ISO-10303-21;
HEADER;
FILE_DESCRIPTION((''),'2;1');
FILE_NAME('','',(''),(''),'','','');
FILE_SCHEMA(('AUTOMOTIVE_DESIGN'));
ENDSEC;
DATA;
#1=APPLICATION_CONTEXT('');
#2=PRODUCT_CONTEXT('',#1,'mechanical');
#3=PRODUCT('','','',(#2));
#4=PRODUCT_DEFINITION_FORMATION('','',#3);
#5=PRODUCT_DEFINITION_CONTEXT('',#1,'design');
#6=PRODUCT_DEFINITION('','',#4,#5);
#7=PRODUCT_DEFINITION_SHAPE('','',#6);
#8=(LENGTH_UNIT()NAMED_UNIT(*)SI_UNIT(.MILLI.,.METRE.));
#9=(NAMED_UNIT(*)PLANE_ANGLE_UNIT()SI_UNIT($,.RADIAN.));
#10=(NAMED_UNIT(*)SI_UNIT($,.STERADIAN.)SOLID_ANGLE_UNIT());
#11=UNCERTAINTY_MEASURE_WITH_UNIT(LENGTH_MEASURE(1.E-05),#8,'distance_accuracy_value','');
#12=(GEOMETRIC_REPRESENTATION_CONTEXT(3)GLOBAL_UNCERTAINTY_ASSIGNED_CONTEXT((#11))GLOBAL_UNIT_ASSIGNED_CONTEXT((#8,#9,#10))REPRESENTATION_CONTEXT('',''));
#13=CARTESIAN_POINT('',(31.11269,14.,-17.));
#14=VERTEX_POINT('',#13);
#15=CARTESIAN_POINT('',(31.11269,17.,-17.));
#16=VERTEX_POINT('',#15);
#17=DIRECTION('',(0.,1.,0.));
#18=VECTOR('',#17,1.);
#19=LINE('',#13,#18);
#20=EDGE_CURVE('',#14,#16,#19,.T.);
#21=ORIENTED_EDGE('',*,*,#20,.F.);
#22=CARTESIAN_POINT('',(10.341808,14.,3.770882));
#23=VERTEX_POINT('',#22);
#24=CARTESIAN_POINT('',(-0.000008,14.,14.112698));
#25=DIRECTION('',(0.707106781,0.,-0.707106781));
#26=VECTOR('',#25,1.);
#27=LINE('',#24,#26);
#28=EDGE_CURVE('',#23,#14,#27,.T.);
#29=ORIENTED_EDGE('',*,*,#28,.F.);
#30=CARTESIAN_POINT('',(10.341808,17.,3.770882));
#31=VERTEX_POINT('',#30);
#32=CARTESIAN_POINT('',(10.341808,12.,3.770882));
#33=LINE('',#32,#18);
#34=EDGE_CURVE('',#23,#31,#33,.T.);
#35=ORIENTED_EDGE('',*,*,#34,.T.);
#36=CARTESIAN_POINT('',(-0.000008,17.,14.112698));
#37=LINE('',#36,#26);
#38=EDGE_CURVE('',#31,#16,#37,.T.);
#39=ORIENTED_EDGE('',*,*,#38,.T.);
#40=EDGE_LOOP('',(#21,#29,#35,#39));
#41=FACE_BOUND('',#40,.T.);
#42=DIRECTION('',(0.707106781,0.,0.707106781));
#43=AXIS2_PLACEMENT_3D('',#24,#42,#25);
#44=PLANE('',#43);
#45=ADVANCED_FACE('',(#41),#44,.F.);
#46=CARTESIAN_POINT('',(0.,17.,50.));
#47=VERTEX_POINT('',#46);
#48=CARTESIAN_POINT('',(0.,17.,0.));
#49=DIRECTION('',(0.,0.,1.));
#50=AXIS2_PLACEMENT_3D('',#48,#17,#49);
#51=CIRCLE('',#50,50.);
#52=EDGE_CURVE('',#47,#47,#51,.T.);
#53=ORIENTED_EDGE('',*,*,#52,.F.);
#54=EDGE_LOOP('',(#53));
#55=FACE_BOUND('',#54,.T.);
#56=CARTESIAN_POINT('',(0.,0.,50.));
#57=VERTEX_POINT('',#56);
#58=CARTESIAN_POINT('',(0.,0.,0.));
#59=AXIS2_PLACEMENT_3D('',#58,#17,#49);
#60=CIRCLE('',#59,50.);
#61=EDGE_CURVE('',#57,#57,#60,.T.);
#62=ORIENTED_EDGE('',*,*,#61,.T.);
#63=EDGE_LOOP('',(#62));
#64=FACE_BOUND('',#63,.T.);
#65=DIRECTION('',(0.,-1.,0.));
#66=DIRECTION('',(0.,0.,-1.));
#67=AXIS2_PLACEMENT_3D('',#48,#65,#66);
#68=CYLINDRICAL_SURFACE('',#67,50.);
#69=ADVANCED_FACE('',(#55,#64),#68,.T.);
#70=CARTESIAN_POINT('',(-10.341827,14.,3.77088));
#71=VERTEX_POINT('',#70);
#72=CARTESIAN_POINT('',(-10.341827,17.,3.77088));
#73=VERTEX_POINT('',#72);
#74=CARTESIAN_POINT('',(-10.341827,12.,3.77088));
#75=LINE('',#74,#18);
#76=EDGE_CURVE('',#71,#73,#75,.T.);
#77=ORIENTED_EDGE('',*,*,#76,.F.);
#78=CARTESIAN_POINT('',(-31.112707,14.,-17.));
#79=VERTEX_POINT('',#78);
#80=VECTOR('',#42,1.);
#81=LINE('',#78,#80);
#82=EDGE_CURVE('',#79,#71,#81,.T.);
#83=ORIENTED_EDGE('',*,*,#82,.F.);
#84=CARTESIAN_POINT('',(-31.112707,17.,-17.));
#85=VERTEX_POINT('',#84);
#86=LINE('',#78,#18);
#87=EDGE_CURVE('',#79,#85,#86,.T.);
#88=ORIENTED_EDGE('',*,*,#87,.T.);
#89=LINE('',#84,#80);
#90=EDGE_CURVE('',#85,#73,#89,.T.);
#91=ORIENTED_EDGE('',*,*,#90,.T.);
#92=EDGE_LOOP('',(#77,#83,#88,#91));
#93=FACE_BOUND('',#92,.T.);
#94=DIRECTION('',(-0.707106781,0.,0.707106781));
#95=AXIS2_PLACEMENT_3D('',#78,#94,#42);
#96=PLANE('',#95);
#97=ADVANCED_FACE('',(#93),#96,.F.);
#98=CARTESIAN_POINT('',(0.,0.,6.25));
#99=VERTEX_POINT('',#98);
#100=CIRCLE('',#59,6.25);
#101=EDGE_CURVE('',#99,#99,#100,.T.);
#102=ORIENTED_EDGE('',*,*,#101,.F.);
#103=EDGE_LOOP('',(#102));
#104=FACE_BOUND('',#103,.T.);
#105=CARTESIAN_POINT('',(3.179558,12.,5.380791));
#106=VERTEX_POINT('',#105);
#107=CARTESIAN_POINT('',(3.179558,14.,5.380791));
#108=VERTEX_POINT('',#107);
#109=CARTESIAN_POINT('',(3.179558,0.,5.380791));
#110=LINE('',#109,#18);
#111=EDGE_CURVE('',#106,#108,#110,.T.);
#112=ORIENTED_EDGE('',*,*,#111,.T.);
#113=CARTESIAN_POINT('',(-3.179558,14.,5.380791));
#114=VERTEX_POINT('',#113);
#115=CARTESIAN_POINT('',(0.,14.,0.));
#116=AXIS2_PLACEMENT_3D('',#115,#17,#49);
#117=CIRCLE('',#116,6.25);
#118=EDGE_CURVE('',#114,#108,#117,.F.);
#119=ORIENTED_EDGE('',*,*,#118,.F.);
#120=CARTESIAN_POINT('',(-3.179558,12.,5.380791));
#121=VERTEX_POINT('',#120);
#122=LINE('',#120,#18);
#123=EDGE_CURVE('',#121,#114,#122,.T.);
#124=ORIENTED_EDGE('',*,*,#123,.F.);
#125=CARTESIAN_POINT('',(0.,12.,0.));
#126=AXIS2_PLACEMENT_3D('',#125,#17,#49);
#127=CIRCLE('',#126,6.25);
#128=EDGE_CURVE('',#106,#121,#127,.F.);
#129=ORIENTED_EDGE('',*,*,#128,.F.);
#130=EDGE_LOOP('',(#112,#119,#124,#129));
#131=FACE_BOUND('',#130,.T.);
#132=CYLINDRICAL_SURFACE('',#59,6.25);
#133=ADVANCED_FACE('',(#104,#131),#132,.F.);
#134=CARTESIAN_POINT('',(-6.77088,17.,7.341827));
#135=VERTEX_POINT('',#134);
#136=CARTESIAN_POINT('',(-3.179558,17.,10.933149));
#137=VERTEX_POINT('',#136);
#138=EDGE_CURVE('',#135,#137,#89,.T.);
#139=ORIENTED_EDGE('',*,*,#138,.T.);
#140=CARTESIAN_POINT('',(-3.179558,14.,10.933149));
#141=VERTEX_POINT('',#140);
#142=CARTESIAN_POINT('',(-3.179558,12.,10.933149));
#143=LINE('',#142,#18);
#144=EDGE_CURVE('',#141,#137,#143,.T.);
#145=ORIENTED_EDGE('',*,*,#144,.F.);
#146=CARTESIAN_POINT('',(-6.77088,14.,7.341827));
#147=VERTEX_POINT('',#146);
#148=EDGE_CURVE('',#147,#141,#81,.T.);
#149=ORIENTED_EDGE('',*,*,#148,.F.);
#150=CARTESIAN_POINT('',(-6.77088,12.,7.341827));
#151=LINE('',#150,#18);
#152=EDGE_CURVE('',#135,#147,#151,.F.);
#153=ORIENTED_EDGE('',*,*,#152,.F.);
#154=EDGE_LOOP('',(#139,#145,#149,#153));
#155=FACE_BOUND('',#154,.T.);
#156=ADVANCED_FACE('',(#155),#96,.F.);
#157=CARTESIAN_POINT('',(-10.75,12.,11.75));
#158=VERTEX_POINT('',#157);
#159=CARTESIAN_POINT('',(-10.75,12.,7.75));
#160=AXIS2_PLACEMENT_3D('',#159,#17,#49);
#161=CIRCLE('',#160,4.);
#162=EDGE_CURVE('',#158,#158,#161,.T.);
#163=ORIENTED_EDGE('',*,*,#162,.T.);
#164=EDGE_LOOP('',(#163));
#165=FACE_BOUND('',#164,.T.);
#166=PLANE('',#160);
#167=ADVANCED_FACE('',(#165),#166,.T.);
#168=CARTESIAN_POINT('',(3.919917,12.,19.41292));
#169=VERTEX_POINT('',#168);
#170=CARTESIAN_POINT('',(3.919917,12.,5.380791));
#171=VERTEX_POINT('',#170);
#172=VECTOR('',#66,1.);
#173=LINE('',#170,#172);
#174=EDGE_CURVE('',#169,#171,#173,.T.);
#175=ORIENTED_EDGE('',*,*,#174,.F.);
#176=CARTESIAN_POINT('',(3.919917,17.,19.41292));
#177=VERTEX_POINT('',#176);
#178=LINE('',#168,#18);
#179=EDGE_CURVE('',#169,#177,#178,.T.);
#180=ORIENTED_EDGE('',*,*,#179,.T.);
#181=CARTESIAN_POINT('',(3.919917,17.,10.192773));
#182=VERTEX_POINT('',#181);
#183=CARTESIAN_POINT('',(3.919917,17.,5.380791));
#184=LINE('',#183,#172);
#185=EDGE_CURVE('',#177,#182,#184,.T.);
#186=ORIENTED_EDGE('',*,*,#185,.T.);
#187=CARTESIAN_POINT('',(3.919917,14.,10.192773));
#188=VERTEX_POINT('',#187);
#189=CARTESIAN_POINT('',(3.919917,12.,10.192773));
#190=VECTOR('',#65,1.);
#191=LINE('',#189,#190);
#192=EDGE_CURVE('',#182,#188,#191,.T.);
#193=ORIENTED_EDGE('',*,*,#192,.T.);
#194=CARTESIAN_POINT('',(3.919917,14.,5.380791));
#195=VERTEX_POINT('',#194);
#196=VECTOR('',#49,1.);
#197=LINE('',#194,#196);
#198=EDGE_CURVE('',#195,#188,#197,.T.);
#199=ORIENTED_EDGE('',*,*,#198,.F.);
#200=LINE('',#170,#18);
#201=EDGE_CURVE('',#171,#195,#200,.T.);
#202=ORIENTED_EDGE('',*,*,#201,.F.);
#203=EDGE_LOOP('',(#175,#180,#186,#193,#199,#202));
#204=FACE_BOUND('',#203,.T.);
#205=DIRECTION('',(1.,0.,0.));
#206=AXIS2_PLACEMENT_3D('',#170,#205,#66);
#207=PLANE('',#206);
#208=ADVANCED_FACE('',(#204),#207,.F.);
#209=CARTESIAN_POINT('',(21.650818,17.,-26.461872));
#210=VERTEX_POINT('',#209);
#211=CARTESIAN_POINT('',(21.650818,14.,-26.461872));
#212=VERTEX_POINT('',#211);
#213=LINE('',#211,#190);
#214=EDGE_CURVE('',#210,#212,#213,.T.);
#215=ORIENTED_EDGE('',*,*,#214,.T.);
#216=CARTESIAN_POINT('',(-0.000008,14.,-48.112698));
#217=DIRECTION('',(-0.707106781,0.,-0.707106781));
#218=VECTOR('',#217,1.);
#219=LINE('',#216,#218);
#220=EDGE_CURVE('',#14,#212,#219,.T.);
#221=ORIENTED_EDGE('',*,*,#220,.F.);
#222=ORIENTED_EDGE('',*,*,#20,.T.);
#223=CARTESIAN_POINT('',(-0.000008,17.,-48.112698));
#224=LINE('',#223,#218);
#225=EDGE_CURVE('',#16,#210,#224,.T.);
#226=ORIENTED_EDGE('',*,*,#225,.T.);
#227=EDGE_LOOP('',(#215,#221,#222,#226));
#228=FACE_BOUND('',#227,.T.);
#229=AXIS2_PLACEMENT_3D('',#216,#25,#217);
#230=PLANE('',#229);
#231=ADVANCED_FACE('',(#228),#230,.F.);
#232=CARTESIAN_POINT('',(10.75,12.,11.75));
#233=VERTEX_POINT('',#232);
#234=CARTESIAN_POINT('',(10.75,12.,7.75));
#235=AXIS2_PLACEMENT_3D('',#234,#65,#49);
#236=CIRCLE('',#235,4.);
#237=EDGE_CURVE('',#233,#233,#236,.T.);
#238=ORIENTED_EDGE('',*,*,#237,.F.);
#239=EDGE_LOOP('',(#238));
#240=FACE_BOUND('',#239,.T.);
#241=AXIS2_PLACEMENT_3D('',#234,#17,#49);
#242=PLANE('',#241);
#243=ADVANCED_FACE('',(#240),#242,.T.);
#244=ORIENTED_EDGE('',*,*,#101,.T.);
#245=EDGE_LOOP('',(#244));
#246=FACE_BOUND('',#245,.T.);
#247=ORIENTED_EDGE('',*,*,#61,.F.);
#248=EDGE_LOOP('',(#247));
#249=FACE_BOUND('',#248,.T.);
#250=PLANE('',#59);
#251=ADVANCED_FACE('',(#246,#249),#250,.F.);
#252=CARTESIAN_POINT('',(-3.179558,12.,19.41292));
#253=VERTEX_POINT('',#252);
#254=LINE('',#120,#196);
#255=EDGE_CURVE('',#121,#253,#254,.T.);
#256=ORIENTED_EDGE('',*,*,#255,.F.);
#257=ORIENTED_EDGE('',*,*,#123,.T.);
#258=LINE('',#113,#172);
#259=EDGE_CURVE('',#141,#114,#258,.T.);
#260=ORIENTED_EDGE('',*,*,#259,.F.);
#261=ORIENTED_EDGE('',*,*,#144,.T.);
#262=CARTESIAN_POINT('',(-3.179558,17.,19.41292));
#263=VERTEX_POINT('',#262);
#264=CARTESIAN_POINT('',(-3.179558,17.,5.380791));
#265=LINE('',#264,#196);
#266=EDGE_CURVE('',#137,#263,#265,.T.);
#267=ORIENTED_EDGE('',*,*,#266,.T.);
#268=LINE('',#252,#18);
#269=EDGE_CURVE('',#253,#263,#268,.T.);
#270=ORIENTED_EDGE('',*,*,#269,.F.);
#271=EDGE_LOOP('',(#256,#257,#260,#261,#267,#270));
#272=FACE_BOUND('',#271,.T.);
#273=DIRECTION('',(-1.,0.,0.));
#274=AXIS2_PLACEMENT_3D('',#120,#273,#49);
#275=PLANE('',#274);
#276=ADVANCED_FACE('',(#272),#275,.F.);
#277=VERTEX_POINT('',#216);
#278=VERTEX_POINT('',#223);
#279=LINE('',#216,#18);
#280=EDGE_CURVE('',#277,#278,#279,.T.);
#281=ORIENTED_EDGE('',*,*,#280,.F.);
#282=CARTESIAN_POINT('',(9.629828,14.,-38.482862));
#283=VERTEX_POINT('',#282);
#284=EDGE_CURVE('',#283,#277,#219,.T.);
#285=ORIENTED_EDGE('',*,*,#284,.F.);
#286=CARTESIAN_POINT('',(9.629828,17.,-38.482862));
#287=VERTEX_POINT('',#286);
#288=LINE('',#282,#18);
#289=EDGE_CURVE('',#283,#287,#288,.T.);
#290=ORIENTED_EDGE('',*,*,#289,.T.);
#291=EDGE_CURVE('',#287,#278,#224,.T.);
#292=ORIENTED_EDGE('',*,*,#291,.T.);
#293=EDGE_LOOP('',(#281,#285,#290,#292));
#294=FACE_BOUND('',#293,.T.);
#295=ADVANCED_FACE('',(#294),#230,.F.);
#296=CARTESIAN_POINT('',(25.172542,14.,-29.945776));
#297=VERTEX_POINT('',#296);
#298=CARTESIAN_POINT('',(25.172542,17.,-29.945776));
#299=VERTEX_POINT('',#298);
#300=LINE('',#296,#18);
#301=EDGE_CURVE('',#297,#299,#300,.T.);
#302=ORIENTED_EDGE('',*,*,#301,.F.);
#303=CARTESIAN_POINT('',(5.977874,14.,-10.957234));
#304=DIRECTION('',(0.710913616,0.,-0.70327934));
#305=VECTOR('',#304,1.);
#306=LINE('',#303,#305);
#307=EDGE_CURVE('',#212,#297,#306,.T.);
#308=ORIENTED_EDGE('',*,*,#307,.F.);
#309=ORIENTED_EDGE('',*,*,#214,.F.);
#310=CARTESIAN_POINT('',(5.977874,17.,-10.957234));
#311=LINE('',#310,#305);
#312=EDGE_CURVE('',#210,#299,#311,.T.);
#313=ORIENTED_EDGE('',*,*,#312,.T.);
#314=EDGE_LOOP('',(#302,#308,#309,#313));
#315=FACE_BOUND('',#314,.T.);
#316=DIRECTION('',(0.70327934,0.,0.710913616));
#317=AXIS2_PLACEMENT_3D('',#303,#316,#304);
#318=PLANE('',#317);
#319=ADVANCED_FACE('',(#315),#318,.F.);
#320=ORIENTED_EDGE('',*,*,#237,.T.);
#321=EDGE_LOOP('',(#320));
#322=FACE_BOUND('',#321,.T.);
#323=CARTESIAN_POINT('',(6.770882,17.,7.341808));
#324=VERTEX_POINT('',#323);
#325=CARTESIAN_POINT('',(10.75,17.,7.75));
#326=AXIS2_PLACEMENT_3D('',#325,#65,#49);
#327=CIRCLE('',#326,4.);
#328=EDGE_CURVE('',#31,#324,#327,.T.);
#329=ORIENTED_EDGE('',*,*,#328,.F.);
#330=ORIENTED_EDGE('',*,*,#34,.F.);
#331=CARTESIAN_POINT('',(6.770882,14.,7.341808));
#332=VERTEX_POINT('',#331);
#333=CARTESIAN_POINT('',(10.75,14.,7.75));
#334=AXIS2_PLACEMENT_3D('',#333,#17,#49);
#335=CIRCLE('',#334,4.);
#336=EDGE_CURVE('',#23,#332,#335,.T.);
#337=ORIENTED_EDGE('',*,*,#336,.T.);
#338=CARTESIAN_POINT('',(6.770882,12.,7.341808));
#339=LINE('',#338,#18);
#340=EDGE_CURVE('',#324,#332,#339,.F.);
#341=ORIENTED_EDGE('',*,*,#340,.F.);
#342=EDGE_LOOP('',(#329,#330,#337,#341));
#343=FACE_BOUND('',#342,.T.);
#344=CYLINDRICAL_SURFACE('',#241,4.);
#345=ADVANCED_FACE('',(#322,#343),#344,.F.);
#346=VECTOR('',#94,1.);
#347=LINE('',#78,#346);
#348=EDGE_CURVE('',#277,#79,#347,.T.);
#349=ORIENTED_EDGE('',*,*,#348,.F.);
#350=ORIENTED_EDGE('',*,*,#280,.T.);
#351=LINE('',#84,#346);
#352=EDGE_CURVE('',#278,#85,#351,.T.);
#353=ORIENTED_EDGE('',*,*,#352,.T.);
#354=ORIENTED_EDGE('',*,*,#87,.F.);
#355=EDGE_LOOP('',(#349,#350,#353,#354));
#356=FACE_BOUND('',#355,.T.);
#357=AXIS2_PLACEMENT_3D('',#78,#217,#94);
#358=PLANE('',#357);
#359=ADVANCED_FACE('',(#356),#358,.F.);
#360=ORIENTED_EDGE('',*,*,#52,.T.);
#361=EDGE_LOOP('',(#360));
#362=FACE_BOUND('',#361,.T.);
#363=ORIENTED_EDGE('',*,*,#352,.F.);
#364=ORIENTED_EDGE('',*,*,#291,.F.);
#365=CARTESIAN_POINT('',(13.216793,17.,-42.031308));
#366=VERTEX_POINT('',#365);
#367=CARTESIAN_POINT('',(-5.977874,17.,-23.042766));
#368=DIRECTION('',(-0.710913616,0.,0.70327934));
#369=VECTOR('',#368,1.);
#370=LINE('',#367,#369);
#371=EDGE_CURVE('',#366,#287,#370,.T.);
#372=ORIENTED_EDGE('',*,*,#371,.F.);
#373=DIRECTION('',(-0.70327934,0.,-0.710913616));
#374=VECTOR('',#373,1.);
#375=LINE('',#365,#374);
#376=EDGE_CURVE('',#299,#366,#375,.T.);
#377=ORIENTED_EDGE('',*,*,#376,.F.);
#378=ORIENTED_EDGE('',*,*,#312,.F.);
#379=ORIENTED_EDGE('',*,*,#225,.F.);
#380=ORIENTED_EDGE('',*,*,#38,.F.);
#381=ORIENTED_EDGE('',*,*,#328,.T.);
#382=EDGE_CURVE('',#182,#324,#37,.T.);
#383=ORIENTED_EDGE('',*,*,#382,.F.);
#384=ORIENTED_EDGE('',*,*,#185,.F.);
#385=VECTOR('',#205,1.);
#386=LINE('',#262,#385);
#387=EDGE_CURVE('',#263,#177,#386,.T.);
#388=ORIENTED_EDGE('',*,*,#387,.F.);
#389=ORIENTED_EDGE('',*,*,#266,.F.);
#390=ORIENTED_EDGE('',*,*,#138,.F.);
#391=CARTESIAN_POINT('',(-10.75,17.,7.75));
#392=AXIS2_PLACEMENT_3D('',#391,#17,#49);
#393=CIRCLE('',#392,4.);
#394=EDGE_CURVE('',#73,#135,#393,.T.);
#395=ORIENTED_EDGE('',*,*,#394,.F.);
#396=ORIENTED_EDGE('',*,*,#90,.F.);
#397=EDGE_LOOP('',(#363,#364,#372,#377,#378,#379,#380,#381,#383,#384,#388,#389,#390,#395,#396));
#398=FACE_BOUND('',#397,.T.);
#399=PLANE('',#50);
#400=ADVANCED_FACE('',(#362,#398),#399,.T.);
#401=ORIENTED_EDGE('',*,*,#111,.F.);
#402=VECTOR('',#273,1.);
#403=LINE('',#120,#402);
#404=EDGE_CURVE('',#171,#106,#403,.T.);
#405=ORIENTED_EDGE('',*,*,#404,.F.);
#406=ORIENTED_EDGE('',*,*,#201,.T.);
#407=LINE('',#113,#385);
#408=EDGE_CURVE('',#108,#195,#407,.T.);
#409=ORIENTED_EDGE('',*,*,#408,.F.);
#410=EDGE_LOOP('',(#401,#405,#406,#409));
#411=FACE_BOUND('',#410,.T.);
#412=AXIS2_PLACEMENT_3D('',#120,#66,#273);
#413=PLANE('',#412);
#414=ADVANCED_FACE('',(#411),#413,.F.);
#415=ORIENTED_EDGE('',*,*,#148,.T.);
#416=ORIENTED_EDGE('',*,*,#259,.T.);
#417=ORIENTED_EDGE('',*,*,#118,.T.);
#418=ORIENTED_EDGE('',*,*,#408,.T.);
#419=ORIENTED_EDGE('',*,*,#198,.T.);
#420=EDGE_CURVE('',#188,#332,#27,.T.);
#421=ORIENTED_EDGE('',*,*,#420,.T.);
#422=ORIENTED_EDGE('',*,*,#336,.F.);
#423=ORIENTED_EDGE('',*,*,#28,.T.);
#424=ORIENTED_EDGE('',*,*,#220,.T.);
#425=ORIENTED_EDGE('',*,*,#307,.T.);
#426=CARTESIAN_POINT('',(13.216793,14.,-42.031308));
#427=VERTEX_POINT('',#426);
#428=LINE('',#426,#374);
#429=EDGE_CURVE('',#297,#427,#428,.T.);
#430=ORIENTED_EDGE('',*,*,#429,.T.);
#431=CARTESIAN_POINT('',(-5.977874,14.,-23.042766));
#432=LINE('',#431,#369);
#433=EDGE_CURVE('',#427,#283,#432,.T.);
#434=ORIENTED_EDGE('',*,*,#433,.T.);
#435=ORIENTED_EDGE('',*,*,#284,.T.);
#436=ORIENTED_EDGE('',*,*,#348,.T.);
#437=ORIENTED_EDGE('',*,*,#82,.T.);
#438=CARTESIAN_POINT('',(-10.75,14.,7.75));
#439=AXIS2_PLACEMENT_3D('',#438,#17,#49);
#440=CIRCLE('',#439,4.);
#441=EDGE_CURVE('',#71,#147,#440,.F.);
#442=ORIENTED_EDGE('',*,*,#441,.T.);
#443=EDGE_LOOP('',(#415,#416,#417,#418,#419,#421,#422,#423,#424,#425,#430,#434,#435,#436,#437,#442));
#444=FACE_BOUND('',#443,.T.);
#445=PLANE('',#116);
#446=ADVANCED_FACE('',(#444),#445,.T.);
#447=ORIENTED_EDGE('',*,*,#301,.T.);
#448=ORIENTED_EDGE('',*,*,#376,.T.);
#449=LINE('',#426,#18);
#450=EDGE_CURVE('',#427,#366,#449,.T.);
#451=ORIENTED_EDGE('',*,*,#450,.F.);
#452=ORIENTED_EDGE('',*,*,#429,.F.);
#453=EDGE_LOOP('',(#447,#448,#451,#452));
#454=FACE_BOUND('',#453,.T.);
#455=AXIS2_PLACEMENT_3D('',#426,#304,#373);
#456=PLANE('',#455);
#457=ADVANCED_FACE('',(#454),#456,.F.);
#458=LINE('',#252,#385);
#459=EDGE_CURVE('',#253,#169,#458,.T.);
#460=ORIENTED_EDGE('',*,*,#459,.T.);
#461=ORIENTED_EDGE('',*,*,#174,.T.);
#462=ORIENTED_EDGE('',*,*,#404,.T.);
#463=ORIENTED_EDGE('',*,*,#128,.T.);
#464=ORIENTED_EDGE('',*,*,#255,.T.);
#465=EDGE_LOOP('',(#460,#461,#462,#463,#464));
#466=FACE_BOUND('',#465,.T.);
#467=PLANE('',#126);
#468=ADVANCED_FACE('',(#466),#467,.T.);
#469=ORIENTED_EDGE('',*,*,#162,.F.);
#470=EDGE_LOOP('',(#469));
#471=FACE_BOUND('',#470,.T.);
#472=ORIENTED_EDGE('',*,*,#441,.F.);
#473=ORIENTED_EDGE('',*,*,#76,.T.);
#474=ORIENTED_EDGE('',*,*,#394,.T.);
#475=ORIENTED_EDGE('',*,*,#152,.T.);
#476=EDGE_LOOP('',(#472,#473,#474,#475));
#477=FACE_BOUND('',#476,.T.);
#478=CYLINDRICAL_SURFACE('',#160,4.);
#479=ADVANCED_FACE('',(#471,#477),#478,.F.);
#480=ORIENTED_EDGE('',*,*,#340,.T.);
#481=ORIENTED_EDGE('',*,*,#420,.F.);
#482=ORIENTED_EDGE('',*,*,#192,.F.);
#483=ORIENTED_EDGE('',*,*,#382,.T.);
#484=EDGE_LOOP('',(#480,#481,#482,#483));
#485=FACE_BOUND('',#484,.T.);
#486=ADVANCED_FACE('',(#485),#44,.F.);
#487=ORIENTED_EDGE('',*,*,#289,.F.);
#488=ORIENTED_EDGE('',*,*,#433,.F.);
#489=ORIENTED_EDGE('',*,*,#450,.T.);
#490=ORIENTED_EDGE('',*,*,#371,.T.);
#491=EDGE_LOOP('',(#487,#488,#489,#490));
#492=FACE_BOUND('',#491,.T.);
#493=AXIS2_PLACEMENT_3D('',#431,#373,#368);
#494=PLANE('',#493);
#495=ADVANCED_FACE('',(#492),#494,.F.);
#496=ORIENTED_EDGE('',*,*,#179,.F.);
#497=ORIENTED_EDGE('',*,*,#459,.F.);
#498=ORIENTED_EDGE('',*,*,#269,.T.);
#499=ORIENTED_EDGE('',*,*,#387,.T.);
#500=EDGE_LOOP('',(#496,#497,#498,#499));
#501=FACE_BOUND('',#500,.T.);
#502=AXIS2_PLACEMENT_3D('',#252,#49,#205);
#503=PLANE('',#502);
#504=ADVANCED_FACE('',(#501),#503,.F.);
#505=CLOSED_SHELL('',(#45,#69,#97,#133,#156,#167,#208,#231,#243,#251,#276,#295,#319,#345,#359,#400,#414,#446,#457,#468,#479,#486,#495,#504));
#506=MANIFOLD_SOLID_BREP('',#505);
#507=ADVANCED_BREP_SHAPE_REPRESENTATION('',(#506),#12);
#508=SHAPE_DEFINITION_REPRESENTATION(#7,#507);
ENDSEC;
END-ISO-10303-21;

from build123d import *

# Parameters (mm, degrees)
SKETCH2_R           = 50
BOSS_EXTRUDE1_DEPTH = 17
SKETCH4_R           = 6.25
CUT_EXTRUDE1_DEPTH  = 17
SKETCH7_R           = 4
CUT_EXTRUDE2_DEPTH  = 5
SKETCH8_W           = 7.099474729
SKETCH8_H           = 14.03212915
CUT_EXTRUDE3_DEPTH  = 5
CUT_EXTRUDE4_DEPTH  = 3
CUT_EXTRUDE5_DEPTH  = 3


with BuildPart() as part:
    # Sketch2 → Boss-Extrude1 (new body)
    with BuildSketch(Plane(origin=(0, 0, 0), x_dir=(1, 0, 0), z_dir=(0, 1, 0))):
        with Locations(Location((0, 0, 0), (0, 0, 270))):
            Circle(SKETCH2_R)
    extrude(amount=BOSS_EXTRUDE1_DEPTH)

    # Sketch4 → Cut-Extrude1 (cut)
    with BuildSketch(Plane(origin=(0, 17, 0), x_dir=(1, 0, 0), z_dir=(0, 1, 0))):
        with Locations(Location((0, 0, 0), (0, 0, 270))):
            Circle(SKETCH4_R)
    extrude(amount=-CUT_EXTRUDE1_DEPTH, mode=Mode.SUBTRACT)

    # Sketch7 → Cut-Extrude2 (cut)
    with BuildSketch(Plane(origin=(0, 17, 0), x_dir=(1, 0, 0), z_dir=(0, 1, 0))):
        with Locations(Location((-10.75, -7.75, 0), (0, 0, 270))):
            Circle(SKETCH7_R)
    cut_extrude2 = extrude(amount=-CUT_EXTRUDE2_DEPTH, mode=Mode.SUBTRACT)

    # Mirror1: Cut-Extrude2 across plane
    add(cut_extrude2.mirror(Plane(origin=(0, 0, 0), x_dir=(0, 0, 1), z_dir=(1, 0, 0))), mode=Mode.SUBTRACT)

    # Sketch8 → Cut-Extrude3 (cut)
    with BuildSketch(Plane(origin=(0, 17, 0), x_dir=(1, 0, 0), z_dir=(0, 1, 0))):
        with Locations((0.370179164, -12.396855376)):
            Rectangle(SKETCH8_W, SKETCH8_H)
    extrude(amount=-CUT_EXTRUDE3_DEPTH, mode=Mode.SUBTRACT)

    # Sketch9 → Cut-Extrude4 (cut)
    with BuildSketch(Plane(origin=(0, 17, 0), x_dir=(1, 0, 0), z_dir=(0, 1, 0))):
        Polygon((-31.112706744, 17), (-8.372e-06, 48.112698372), (31.11269, 17), (-8.372e-06, -14.112698372), align=None)
    extrude(amount=-CUT_EXTRUDE4_DEPTH, mode=Mode.SUBTRACT)

    # Sketch6 → Cut-Extrude5 (cut)
    with BuildSketch(Plane(origin=(0, 17, 0), x_dir=(1, 0, 0), z_dir=(0, 1, 0))):
        Polygon((-5.977874391, 23.042765738), (5.977874391, 10.957234262), (25.17254203, 29.945776443), (13.216793249, 42.03130792), align=None)
    extrude(amount=-CUT_EXTRUDE5_DEPTH, mode=Mode.SUBTRACT)


solid = part.part
